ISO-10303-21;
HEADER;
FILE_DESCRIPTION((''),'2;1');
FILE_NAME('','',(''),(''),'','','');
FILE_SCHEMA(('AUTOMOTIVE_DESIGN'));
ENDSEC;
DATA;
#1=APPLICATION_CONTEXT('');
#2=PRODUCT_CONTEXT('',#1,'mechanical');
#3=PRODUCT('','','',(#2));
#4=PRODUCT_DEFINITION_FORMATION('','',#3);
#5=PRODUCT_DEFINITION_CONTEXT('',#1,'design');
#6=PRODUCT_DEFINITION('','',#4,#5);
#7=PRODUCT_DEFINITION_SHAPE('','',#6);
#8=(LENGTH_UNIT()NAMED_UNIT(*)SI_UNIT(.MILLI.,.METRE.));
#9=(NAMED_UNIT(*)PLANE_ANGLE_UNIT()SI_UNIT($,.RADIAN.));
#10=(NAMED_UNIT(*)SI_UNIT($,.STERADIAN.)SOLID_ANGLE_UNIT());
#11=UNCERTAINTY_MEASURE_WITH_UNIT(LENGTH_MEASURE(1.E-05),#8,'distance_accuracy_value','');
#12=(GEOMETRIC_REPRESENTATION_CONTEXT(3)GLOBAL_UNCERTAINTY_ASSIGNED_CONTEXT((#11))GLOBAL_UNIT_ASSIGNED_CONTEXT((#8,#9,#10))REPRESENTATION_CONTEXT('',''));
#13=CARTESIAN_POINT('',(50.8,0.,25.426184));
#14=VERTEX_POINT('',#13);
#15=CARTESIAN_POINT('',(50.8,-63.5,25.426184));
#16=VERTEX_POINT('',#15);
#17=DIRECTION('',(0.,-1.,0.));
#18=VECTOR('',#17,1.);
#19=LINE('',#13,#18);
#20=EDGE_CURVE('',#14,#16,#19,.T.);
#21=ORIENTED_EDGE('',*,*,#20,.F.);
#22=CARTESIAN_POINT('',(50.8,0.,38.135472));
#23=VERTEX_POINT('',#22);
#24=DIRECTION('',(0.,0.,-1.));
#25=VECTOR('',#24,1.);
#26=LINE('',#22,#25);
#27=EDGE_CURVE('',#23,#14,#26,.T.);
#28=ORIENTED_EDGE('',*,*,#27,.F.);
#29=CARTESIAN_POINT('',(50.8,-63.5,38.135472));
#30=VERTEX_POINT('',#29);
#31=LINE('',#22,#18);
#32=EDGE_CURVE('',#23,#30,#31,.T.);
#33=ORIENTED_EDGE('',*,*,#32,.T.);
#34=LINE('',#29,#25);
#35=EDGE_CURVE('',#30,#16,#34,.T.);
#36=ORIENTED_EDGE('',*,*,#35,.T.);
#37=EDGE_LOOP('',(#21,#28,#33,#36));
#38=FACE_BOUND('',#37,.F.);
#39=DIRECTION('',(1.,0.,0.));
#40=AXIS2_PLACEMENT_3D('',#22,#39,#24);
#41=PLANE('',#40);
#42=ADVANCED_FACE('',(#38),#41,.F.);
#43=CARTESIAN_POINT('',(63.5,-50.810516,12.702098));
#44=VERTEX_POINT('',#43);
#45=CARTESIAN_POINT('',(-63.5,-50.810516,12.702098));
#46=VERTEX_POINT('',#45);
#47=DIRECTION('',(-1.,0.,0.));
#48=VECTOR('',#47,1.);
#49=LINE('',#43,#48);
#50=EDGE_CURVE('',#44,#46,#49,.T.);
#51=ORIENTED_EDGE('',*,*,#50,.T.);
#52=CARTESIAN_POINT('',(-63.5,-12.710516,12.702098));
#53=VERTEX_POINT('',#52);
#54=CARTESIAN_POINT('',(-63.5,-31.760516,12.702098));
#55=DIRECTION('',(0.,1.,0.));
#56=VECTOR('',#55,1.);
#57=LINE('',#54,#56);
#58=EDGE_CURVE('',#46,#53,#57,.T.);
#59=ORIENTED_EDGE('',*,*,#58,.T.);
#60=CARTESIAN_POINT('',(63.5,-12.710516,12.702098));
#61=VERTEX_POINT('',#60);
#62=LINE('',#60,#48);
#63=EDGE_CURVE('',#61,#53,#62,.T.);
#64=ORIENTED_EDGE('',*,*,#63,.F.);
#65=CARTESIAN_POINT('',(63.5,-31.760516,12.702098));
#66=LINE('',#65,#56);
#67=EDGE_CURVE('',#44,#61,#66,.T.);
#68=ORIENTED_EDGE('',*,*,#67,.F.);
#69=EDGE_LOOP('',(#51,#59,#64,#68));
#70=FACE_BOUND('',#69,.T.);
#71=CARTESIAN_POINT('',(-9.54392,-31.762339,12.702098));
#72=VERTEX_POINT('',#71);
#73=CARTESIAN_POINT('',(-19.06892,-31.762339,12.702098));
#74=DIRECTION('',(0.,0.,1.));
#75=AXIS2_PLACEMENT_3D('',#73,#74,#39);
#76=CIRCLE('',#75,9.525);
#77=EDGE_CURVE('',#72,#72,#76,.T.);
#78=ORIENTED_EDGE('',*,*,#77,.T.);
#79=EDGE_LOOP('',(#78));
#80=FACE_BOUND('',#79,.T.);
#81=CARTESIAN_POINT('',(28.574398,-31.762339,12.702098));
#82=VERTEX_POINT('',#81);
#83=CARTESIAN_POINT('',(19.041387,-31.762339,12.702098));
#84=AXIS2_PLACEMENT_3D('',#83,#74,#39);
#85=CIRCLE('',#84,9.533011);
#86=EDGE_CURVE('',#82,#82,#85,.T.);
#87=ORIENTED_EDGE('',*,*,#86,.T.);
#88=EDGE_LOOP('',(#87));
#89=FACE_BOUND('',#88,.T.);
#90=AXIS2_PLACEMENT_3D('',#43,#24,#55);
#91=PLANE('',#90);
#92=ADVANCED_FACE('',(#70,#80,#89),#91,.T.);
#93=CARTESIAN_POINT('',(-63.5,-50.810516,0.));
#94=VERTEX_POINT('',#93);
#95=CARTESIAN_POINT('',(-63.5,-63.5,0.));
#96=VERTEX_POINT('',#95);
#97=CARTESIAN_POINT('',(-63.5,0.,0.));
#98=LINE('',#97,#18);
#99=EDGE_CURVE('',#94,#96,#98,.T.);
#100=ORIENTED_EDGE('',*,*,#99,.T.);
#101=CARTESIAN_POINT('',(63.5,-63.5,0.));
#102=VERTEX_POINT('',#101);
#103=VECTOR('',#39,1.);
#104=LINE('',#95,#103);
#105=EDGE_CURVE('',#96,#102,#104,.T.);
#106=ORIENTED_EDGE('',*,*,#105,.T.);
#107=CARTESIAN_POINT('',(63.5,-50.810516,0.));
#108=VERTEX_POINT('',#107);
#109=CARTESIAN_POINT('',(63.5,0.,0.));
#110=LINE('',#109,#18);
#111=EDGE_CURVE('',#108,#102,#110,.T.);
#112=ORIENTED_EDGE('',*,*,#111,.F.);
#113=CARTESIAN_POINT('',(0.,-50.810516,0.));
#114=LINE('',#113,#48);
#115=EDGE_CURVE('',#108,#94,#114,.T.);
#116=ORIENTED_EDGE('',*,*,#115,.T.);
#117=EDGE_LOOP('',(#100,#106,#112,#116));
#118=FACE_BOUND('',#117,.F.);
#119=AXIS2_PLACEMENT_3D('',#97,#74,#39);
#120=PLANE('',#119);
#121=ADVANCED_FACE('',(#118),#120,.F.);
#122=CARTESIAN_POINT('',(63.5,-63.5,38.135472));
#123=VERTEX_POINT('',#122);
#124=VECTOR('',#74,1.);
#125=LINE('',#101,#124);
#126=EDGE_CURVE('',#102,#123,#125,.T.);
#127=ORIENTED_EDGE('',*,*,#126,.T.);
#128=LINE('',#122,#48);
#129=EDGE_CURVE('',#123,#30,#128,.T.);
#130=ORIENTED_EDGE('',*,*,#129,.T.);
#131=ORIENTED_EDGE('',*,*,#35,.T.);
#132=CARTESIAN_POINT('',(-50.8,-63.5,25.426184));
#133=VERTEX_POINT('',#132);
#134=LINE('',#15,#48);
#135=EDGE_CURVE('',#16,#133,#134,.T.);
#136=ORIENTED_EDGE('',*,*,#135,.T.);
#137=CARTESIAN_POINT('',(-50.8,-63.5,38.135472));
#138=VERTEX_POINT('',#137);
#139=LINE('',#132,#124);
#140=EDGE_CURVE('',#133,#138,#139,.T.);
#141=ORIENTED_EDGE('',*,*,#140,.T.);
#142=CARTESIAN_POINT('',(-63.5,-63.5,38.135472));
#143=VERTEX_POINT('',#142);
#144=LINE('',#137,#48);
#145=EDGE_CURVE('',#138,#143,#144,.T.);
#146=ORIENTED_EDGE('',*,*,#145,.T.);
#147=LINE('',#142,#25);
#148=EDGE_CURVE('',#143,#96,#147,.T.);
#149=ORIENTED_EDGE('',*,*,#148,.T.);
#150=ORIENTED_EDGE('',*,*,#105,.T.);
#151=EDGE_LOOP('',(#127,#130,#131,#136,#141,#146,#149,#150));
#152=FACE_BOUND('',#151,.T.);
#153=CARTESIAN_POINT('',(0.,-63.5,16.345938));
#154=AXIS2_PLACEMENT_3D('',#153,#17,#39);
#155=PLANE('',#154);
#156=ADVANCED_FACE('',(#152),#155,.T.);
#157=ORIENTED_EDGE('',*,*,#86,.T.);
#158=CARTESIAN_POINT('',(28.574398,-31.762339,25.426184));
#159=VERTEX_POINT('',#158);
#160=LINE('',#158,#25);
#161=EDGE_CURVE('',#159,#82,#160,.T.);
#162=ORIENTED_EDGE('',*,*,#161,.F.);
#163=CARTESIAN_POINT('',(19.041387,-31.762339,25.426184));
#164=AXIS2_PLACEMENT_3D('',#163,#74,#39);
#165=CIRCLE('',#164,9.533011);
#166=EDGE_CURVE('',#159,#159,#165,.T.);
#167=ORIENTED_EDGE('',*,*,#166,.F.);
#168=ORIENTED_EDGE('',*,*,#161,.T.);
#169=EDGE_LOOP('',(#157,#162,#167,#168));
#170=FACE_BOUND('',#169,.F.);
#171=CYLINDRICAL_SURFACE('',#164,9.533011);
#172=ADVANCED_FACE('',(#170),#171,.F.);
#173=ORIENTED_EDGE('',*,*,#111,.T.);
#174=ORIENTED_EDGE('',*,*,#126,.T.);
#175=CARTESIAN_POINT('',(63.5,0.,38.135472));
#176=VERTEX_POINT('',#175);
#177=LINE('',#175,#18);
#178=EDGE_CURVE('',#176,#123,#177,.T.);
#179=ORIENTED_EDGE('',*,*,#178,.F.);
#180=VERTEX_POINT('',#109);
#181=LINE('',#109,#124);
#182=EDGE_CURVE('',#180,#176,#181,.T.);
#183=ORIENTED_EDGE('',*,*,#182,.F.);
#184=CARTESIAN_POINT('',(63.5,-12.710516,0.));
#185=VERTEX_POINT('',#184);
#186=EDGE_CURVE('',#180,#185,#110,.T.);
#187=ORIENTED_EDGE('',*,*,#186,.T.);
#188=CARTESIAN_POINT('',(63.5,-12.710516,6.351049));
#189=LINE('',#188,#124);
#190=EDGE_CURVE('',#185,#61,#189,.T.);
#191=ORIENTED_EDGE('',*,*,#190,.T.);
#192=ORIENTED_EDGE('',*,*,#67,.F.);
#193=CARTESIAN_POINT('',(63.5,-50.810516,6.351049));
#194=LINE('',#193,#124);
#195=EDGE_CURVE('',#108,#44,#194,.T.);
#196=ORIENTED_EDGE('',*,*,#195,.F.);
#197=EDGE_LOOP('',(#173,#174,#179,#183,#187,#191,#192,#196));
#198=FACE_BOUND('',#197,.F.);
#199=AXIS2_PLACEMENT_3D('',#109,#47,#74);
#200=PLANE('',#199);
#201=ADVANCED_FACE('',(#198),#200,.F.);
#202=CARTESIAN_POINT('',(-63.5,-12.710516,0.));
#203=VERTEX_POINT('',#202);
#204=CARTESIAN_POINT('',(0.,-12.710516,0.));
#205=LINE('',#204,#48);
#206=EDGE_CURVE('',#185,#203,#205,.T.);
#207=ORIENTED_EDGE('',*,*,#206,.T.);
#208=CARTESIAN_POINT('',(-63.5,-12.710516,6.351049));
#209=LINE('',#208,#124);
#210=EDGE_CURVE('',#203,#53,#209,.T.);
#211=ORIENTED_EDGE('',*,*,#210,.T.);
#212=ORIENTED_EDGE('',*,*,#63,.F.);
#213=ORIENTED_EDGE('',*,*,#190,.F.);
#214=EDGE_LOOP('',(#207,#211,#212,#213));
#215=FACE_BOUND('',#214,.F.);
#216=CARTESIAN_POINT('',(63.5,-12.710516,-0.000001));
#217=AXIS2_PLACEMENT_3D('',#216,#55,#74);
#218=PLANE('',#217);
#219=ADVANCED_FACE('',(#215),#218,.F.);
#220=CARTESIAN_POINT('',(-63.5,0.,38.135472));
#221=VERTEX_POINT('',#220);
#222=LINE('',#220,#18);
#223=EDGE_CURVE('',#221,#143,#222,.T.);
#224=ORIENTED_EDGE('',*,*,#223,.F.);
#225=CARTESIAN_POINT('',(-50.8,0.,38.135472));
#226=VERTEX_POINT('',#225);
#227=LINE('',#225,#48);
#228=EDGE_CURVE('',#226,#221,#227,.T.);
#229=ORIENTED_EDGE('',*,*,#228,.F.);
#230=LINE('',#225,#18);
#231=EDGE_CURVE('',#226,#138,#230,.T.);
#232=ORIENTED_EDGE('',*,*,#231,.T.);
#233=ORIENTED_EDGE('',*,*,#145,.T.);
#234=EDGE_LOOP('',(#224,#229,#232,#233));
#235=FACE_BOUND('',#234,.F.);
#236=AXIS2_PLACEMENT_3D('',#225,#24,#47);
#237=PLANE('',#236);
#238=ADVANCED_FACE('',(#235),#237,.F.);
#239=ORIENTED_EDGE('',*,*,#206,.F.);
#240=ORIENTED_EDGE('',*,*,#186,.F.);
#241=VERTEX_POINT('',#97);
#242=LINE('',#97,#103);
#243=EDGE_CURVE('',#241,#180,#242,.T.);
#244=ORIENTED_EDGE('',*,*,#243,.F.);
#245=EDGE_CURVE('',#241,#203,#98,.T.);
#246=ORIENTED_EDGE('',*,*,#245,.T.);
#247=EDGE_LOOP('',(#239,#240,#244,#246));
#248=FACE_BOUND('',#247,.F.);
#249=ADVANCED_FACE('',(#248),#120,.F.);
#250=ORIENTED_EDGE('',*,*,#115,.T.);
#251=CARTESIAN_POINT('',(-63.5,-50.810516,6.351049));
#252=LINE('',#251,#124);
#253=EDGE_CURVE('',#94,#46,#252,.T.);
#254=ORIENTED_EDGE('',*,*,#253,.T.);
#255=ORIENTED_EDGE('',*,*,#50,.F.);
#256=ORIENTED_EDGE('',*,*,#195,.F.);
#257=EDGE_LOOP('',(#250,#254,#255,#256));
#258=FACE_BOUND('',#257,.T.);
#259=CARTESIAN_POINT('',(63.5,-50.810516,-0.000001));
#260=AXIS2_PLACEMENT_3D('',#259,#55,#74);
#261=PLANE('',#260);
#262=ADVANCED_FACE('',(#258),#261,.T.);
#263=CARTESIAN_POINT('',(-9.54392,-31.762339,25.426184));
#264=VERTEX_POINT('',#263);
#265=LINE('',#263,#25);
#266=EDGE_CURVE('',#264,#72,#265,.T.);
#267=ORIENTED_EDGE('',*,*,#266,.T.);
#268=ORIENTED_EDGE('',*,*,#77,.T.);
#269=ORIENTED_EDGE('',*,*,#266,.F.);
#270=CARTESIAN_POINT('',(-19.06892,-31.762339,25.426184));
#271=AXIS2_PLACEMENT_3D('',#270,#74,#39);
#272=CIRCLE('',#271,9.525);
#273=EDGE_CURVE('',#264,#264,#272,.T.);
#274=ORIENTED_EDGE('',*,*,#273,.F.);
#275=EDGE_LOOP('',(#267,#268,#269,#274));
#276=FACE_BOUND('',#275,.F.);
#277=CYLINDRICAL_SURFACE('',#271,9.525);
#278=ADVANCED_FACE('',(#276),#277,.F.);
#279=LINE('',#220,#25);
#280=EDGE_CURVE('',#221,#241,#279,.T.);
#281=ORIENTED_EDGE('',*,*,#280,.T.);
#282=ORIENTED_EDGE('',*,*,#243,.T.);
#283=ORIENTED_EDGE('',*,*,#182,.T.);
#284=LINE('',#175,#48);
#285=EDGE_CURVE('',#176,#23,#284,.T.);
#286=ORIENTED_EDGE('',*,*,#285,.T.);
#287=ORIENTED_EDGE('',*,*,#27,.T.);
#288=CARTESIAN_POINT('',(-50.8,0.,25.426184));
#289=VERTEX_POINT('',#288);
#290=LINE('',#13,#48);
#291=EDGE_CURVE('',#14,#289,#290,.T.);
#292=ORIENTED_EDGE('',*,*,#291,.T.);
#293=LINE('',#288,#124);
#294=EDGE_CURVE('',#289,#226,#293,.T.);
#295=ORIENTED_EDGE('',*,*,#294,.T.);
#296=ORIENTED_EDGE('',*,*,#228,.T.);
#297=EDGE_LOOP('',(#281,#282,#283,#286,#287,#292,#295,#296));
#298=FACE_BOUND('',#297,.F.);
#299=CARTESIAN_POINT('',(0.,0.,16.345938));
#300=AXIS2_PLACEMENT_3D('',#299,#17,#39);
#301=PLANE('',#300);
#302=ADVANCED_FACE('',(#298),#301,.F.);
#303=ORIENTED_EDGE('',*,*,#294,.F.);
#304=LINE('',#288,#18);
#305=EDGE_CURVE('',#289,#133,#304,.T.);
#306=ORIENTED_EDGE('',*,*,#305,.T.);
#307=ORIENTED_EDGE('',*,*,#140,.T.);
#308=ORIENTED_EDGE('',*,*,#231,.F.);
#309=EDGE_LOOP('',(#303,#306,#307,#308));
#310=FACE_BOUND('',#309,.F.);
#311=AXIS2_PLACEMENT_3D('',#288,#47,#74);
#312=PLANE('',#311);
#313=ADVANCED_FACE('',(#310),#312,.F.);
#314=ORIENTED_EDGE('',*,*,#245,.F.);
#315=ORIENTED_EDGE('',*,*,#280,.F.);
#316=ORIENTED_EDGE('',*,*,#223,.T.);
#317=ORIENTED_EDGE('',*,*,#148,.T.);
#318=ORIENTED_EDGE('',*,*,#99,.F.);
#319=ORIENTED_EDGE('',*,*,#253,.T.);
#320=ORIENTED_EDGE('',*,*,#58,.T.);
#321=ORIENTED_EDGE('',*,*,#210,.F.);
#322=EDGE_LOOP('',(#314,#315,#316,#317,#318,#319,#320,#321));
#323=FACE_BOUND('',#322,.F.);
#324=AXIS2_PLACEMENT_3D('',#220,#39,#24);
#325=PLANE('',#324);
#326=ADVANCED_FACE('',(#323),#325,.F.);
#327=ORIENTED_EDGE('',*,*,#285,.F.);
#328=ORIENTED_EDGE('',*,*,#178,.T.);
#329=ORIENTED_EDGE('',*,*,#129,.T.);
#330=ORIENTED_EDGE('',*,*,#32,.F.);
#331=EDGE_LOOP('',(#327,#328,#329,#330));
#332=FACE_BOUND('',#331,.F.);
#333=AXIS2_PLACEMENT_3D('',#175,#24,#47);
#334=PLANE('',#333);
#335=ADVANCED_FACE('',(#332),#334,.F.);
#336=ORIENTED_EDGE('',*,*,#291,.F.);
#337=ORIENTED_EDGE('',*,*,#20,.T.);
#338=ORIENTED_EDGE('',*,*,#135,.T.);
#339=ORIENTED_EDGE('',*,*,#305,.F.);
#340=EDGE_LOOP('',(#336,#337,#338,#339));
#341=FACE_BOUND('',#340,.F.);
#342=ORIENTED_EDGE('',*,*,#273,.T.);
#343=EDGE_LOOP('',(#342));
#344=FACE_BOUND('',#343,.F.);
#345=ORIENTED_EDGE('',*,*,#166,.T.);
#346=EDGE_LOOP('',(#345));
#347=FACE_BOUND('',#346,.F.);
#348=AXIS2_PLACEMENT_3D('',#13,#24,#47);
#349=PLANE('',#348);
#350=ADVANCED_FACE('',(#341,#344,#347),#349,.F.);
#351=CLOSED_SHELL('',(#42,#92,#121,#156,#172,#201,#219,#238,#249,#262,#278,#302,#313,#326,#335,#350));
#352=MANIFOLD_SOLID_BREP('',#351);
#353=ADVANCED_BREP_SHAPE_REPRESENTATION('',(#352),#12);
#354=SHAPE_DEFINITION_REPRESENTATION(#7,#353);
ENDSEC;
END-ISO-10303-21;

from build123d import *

# Parameters (mm, degrees)
F1_DEPTH = 63.5
F2_W     = 38.1
F2_H     = 12.702099
F3_DEPTH = 127
F4_R     = 9.525
F4_R_2   = 9.533011
F5_DEPTH = 38.1


with BuildPart() as f1:
    # F0 (on Front) → F1 (new body)
    with BuildSketch(Plane.XZ):
        Polygon((-63.5, 0), (0, 0), (63.5, 0), (63.5, 38.135472), (50.8, 38.135472), (50.8, 25.426184), (0, 25.426184), (-50.8, 25.426184), (-50.8, 38.135472), (-63.5, 38.135472), align=None)
    extrude(amount=F1_DEPTH)

    # F2 (on face) → F3 (cut)
    with BuildSketch(Plane.YZ.offset(63.5)):
        with Locations((-31.760516, 6.351049)):
            Rectangle(F2_W, F2_H)
    extrude(amount=-F3_DEPTH, mode=Mode.SUBTRACT)

    # F4 (on face) → F5 (cut)
    with BuildSketch(Plane.XY.offset(25.426184)):
        with Locations((-19.06892, -31.762339)):
            Circle(F4_R)
        with Locations((19.041387, -31.762339)):
            Circle(F4_R_2)
    extrude(amount=-F5_DEPTH, mode=Mode.SUBTRACT)


solid = f1.part
